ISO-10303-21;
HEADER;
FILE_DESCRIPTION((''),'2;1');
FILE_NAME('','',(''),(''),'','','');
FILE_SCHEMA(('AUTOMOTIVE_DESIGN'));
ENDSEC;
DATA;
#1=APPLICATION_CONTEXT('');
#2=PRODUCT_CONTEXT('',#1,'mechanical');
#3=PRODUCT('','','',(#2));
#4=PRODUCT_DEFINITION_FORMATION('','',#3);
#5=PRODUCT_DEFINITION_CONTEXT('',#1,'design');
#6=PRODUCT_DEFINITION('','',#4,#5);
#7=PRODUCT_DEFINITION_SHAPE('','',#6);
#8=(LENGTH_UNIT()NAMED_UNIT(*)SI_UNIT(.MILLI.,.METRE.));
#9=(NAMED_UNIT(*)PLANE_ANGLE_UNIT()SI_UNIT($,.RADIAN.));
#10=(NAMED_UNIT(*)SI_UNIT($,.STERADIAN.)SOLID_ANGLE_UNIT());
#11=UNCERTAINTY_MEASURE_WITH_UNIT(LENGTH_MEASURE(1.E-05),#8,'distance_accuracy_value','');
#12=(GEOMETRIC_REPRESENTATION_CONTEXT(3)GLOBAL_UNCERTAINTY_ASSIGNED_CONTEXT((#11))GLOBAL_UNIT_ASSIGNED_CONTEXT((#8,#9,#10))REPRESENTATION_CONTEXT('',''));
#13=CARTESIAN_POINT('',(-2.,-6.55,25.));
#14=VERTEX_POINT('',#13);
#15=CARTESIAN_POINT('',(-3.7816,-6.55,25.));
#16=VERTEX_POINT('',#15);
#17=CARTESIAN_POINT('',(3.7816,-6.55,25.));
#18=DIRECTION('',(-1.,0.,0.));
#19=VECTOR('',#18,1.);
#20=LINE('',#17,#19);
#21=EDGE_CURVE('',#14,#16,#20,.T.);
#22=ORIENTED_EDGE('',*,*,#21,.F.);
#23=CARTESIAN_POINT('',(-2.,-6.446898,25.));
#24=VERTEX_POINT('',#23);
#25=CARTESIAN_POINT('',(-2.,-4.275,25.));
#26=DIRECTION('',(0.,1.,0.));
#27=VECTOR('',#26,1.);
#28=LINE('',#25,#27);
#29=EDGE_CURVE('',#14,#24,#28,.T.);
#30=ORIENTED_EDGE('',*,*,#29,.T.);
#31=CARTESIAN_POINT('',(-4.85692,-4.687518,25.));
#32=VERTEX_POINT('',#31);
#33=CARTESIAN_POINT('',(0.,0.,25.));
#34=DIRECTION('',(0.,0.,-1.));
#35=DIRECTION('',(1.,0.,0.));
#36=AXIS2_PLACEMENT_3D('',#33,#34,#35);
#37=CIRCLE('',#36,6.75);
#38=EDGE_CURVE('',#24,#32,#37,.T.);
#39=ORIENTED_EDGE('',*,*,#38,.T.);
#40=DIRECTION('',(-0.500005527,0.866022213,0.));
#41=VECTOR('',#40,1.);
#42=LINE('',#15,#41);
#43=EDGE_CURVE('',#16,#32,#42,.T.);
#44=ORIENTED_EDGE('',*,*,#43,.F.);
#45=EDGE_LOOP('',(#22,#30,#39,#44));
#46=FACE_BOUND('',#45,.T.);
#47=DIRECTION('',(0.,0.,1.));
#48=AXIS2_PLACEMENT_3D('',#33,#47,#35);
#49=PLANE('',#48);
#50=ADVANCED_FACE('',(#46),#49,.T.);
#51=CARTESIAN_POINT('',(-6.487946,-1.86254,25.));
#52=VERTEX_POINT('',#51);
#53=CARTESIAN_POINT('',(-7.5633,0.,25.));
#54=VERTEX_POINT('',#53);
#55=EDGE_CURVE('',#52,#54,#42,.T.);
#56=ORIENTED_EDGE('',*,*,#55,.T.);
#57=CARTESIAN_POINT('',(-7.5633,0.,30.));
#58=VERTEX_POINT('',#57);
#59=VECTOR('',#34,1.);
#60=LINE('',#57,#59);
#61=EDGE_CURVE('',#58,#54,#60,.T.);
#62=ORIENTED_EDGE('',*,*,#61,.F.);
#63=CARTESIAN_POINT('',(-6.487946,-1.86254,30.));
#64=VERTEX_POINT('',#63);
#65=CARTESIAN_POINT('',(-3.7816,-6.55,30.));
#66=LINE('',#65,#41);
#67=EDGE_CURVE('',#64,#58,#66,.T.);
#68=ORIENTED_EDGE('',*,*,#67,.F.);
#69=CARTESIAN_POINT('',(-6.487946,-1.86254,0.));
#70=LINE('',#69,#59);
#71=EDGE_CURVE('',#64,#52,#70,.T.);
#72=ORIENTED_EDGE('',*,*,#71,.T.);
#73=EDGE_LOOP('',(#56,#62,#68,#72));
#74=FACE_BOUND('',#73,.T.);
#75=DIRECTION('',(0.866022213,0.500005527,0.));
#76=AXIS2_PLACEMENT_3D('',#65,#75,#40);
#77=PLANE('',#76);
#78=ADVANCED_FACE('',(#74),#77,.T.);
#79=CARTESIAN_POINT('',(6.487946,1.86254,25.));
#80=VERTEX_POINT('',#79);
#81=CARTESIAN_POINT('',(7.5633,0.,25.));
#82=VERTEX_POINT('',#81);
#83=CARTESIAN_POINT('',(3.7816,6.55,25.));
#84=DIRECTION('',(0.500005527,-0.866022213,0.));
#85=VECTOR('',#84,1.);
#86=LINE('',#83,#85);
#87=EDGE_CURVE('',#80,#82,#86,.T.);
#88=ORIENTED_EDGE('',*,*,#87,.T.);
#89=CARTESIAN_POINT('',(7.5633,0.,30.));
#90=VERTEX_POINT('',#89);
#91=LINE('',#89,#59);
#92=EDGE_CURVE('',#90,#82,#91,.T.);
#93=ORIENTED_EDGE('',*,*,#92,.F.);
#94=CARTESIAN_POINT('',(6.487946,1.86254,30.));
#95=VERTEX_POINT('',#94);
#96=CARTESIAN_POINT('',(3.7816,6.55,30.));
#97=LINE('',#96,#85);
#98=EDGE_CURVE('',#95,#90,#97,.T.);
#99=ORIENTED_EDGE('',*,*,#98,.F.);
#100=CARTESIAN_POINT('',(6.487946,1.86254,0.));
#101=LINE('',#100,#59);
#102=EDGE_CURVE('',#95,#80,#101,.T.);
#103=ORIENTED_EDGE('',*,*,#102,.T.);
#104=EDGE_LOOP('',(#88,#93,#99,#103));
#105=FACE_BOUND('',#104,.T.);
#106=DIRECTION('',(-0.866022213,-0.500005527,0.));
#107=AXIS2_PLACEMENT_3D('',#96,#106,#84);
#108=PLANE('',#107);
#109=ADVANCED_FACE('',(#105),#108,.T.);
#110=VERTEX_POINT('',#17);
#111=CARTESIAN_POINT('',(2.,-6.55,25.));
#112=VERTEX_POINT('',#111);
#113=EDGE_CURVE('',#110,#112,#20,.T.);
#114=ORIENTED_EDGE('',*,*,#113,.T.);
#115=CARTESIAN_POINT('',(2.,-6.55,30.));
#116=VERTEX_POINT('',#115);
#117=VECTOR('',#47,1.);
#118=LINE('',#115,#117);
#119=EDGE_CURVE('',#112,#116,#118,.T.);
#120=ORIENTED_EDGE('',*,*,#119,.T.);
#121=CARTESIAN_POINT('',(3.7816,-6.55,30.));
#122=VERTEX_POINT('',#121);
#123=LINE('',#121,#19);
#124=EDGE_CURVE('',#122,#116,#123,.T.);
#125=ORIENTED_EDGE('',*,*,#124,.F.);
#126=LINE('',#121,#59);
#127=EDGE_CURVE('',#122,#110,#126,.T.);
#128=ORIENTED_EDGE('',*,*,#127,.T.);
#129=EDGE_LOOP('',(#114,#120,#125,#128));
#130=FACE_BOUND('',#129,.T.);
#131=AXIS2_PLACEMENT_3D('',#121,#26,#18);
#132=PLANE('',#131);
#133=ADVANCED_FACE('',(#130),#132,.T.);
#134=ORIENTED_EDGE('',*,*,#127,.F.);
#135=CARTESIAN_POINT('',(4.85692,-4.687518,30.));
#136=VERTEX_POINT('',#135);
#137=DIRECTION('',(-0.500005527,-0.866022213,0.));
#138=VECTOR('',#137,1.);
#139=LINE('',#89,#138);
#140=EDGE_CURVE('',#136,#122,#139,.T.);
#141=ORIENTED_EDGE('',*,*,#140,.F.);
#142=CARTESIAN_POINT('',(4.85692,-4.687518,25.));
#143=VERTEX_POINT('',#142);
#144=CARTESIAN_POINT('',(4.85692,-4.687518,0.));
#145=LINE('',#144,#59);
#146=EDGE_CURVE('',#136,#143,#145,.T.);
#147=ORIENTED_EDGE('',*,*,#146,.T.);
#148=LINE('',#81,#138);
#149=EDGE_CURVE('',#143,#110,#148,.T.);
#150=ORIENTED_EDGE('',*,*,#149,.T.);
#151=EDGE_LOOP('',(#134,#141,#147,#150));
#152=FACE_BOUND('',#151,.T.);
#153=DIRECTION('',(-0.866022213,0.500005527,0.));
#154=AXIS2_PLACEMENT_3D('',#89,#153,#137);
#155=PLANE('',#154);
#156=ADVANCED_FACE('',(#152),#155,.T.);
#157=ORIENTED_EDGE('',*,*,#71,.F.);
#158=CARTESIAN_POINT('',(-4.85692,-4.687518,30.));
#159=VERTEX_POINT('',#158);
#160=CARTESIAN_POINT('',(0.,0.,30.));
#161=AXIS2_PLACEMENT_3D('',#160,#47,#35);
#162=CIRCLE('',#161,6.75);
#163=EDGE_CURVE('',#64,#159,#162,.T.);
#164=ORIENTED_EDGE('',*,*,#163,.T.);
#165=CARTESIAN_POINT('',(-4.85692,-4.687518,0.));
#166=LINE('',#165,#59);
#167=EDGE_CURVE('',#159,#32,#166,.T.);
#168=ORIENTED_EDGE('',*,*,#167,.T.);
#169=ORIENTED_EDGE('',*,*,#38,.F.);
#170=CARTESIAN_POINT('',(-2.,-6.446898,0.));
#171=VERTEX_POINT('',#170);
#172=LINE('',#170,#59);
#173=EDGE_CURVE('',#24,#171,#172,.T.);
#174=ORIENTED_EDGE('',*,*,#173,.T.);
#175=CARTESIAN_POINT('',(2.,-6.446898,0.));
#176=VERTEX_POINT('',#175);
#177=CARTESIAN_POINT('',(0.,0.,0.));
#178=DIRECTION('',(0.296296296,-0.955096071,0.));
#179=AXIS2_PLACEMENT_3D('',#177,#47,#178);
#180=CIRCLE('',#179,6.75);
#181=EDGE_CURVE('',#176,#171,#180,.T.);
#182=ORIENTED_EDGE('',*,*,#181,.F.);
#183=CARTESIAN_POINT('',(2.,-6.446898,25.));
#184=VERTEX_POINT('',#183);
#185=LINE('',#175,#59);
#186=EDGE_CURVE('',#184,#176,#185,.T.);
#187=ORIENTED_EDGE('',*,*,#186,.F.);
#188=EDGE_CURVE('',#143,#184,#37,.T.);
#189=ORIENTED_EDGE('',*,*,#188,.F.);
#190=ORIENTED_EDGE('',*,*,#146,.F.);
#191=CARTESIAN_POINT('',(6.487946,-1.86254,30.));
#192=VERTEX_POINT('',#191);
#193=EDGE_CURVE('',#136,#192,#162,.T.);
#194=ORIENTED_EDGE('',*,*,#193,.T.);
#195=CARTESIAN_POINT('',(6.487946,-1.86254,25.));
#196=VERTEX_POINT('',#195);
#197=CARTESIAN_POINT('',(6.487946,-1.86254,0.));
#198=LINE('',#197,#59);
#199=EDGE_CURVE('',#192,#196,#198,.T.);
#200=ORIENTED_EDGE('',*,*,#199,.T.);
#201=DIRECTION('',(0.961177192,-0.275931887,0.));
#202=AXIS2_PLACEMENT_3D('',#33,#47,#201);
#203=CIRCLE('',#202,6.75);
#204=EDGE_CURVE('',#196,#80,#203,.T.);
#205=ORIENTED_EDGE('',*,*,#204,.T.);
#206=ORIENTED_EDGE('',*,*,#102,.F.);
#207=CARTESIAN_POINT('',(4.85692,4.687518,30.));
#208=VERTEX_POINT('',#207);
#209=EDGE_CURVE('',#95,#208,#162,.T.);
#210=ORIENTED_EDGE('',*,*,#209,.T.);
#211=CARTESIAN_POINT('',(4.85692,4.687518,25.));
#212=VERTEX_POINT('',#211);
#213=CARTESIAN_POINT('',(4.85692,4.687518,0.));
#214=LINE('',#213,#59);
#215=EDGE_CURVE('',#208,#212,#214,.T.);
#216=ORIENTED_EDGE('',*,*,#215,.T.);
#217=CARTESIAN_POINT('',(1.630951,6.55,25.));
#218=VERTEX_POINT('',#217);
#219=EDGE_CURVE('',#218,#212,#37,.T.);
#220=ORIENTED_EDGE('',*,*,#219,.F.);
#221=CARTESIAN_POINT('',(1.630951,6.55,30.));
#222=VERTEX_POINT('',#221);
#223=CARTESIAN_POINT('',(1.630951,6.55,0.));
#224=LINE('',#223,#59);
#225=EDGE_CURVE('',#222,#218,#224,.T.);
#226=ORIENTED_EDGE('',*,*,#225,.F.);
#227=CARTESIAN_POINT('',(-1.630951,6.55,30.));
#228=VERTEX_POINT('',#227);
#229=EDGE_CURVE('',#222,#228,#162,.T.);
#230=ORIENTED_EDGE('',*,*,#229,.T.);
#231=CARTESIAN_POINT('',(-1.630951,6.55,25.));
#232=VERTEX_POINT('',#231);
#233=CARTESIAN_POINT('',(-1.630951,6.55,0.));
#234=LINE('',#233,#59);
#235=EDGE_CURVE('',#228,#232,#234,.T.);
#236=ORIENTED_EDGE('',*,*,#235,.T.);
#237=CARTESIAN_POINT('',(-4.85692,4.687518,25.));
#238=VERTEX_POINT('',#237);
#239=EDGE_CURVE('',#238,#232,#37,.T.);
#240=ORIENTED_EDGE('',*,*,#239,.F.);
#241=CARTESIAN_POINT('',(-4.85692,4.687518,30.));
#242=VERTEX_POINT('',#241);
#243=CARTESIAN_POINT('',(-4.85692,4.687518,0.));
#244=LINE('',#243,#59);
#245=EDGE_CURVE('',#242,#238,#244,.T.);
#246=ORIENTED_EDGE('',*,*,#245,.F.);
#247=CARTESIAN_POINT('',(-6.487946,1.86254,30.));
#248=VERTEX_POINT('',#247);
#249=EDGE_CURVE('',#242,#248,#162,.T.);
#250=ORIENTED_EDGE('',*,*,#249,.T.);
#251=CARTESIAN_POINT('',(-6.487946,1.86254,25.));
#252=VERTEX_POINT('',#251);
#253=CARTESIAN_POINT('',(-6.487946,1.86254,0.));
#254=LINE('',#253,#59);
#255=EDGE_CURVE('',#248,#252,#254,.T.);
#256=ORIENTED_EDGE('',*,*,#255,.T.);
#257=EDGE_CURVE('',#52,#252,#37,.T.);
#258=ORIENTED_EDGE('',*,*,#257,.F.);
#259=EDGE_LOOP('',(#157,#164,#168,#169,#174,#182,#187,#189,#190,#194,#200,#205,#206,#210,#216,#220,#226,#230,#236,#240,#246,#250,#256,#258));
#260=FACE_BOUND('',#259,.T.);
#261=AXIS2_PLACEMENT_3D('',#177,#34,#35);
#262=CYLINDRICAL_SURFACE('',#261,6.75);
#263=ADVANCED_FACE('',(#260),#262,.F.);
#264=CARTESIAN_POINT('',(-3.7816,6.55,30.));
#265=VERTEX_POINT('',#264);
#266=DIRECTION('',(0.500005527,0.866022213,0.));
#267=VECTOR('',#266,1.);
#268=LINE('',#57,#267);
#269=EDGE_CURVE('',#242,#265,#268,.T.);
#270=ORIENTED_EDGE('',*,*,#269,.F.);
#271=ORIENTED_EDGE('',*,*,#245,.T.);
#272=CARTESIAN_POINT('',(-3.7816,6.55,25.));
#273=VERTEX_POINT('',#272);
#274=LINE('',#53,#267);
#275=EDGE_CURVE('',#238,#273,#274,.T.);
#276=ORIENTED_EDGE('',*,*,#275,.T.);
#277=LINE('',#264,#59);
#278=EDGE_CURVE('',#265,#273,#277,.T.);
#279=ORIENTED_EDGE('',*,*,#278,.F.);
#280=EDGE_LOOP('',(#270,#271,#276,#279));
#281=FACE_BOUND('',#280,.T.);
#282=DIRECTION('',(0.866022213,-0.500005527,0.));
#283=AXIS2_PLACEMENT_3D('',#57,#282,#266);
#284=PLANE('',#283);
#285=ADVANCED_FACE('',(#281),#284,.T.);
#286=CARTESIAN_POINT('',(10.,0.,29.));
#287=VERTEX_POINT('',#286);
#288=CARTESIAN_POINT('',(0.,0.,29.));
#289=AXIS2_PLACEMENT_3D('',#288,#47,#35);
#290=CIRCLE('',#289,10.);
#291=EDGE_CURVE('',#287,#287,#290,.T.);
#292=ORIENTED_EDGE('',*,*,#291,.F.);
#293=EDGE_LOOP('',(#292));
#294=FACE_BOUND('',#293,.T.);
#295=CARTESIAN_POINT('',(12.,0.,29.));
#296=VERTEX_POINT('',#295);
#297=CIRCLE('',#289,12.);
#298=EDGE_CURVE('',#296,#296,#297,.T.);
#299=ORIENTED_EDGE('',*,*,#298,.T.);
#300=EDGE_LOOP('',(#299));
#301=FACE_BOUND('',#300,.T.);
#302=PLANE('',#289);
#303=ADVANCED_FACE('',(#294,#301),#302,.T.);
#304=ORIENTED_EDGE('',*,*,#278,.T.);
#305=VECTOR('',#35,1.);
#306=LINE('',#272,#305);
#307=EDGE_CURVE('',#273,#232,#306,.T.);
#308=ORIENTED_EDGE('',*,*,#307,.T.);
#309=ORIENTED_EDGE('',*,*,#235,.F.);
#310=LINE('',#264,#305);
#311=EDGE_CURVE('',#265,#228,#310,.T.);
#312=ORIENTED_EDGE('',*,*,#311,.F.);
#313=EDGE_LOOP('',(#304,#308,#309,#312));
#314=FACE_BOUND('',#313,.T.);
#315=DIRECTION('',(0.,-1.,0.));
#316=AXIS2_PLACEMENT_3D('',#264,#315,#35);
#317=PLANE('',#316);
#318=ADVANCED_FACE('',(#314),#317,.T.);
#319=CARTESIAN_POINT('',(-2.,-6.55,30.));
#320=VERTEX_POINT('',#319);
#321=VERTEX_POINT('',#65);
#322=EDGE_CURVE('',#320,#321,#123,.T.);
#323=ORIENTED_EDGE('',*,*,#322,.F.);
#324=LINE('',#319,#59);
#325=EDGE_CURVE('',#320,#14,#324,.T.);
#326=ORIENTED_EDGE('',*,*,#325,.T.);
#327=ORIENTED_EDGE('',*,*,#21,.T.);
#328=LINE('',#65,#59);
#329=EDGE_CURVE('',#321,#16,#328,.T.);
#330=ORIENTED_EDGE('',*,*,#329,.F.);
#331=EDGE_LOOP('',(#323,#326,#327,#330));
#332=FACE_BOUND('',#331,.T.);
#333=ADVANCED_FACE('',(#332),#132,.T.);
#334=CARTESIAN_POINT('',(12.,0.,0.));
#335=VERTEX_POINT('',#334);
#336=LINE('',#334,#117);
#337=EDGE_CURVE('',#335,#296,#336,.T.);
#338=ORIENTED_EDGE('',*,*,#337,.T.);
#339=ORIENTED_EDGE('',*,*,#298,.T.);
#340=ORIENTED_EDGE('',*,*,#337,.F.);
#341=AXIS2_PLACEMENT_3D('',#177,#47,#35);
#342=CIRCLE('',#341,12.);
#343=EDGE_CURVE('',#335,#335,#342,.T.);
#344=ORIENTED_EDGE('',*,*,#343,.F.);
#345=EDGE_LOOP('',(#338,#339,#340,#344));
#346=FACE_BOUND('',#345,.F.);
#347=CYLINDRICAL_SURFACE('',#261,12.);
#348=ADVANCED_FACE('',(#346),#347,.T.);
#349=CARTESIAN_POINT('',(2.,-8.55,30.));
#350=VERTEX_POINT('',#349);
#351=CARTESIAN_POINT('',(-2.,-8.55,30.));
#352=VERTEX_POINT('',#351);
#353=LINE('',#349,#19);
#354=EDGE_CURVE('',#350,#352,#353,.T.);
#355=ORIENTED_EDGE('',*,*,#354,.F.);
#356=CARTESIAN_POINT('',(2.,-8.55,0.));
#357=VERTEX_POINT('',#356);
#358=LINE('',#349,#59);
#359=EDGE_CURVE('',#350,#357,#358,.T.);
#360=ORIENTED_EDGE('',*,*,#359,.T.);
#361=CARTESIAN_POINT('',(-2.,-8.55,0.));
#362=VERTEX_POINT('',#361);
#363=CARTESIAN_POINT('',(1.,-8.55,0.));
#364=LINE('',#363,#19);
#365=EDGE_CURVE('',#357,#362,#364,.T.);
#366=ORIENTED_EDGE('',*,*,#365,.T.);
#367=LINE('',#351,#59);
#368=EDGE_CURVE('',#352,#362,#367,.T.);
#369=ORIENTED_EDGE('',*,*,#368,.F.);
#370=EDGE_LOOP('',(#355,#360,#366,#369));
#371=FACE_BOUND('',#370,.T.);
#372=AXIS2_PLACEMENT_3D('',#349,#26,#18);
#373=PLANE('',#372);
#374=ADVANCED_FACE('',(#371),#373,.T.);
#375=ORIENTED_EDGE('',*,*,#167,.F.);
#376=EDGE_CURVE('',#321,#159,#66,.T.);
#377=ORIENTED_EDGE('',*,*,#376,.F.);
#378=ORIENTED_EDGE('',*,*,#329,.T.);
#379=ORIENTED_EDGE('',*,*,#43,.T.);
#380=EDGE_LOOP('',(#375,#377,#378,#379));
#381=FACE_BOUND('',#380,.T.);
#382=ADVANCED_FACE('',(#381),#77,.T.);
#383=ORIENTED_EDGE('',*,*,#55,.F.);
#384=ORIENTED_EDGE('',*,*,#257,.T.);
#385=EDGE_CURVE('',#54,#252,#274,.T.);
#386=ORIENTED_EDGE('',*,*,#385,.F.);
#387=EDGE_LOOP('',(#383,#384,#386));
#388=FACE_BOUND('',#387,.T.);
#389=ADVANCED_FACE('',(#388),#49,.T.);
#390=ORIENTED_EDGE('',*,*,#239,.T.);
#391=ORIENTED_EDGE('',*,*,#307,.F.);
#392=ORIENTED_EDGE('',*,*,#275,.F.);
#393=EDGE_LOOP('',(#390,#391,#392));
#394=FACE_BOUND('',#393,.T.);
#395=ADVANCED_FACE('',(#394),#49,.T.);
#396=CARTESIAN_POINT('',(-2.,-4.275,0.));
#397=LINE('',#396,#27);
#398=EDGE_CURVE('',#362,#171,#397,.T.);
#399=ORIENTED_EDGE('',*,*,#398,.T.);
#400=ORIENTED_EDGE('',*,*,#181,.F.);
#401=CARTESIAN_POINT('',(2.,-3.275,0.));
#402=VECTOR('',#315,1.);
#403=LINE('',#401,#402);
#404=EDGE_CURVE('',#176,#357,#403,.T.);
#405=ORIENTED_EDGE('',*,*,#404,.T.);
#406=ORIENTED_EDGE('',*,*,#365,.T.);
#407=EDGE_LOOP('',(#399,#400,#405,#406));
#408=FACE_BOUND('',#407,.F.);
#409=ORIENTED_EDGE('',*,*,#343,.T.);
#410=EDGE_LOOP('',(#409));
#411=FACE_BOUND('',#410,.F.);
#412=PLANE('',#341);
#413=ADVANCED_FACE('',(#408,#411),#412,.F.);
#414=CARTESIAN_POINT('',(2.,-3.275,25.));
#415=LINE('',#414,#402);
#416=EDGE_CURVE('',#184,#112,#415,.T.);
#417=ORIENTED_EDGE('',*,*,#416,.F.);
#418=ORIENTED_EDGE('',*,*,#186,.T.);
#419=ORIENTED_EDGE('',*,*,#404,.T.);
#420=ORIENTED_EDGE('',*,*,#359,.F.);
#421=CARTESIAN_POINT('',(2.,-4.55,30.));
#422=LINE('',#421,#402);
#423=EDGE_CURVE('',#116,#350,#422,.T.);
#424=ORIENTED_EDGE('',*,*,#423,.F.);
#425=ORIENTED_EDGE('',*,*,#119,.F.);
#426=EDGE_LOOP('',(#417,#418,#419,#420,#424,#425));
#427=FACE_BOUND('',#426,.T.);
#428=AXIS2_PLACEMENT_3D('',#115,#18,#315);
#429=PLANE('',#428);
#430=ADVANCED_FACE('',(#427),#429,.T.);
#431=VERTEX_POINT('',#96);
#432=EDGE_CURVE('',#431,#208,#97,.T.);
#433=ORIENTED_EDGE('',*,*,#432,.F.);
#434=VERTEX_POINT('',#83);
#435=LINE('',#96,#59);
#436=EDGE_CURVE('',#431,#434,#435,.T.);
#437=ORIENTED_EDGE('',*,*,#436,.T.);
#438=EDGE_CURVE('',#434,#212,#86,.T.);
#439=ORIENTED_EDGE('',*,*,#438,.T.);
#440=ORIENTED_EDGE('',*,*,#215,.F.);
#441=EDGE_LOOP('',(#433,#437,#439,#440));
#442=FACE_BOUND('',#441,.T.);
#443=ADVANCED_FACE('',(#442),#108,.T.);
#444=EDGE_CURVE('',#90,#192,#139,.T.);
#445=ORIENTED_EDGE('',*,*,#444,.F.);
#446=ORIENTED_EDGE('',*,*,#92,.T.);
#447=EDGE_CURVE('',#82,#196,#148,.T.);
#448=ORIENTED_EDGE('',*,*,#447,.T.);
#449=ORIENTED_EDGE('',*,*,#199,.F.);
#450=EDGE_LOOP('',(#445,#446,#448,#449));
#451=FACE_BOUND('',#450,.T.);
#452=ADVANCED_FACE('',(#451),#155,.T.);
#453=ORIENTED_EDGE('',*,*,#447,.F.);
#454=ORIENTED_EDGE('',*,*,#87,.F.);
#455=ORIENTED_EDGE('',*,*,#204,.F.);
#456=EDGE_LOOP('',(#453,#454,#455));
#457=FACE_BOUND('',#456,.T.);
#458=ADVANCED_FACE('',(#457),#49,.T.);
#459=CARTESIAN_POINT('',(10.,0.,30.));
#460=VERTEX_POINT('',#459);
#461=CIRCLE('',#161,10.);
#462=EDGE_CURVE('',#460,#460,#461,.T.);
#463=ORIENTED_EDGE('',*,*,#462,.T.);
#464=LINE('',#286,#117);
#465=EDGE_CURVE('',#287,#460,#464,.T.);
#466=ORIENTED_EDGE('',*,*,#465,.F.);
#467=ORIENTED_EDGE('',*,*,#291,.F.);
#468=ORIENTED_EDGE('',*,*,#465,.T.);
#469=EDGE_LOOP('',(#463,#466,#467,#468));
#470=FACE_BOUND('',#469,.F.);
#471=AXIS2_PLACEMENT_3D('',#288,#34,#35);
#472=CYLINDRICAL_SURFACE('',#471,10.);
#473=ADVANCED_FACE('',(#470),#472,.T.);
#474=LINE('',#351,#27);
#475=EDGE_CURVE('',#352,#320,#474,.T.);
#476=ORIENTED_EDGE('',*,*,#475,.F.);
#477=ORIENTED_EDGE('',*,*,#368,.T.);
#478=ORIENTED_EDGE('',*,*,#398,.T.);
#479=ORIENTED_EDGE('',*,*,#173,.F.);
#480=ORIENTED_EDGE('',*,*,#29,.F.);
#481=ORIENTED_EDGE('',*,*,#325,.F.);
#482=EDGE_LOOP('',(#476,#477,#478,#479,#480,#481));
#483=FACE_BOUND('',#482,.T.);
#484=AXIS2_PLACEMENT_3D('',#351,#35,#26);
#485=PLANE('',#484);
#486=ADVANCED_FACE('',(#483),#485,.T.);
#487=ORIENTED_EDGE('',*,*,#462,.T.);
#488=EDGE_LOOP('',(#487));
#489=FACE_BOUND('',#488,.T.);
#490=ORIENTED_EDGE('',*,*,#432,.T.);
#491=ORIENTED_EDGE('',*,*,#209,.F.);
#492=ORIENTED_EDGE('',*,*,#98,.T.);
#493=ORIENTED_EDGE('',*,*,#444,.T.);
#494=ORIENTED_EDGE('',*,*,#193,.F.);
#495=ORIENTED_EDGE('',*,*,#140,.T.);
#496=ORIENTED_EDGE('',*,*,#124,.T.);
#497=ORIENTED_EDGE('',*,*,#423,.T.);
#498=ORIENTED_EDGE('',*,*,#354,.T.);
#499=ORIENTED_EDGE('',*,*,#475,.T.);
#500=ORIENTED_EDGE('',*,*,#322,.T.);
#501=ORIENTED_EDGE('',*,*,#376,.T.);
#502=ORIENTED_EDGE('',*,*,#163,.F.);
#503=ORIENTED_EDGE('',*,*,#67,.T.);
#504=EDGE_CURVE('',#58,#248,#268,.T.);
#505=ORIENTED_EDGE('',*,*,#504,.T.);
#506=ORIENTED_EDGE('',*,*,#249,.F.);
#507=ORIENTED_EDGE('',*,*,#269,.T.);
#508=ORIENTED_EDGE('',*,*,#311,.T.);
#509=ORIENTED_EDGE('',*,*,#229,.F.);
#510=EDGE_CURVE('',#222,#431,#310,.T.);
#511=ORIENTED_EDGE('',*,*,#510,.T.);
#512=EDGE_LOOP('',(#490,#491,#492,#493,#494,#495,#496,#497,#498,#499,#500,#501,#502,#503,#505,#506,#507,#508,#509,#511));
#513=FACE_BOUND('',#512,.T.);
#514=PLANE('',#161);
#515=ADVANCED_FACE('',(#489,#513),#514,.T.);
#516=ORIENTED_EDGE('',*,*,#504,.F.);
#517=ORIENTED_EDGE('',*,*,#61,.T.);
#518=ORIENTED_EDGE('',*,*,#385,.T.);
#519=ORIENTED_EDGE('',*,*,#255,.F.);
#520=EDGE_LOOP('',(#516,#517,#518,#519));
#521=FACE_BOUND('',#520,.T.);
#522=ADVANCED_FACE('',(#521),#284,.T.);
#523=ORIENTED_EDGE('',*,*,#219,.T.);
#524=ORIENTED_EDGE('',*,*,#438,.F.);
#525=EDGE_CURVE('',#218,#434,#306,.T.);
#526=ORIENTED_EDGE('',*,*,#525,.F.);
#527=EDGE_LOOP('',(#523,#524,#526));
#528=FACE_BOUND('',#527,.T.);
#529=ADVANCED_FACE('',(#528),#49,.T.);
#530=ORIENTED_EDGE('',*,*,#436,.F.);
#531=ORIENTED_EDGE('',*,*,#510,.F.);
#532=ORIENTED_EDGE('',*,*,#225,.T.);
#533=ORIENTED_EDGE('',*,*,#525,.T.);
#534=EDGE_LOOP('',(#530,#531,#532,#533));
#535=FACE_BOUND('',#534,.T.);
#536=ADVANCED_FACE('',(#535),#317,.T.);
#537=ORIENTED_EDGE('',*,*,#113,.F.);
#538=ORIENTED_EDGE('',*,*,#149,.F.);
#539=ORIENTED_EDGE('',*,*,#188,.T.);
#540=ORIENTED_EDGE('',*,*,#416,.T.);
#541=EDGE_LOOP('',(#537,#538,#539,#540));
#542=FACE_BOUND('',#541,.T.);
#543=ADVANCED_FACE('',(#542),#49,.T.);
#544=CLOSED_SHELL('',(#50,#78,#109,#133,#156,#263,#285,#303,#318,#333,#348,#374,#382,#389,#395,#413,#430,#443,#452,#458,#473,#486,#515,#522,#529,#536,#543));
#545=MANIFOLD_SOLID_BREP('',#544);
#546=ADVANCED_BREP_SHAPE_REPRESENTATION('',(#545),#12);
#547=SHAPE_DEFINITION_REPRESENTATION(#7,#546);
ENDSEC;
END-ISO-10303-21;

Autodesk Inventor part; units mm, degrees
ref_plane "YZ Plane" through (0, 0, 0) normal (1, 0, 0) x (0, 1, 0)
ref_plane "XZ Plane" through (0, 0, 0) normal (0, 1, 0) x (-1, 0, 0)
ref_plane "XY Plane" through (0, 0, 0) normal (0, 0, 1) x (1, 0, 0)
sketch "Sketch1" plane through (0, 0, 0) normal (0, 0, 1) x (1, 0, 0)
  circle A0 centre (0, 0) radius 6.75
  circle A1 centre (0, 0) radius 12
  dimension "d0" = 13.5
  dimension "d1" = 24
extrude "Extrusion1" add sketch "Sketch1" along normal blind 29
sketch "Sketch3" plane through (0, 0, 29) normal (0, 0, 1) x (1, 0, 0)
  circle A0 centre (0, 0) radius 10
  circle A1 centre (0, 0) radius 6.75 projected
  dimension "d7" = 20
extrude "Extrusion3" add sketch "Sketch3" along normal blind 1
sketch "Sketch4" plane through (0, 0, 30) normal (0, 0, 1) x (1, 0, 0)
  line L0 (3.7816, 6.55) -> (7.5633, 0)
  line L1 (7.5633, 0) -> (3.7816, -6.55)
  line L2 (3.7816, -6.55) -> (-3.7816, -6.55)
  line L3 (-3.7816, -6.55) -> (-7.5633, 0)
  line L4 (-7.5633, 0) -> (-3.7816, 6.55)
  line L5 (-3.7816, 6.55) -> (3.7816, 6.55)
  point P0 (0, 0)
  point P1 (0, 0)
  dimension "d10" = 13.1
extrude "Extrusion4" cut sketch "Sketch4" against normal blind 5
sketch "Sketch5" plane through (0, 0, 30) normal (0, 0, 1) x (1, 0, 0)
  line L0 (2, -8.55) -> (-2, -8.55)
  line L1 (-2, -8.55) -> (-2, -4.55)
  line L2 (-2, -4.55) -> (2, -4.55)
  line L3 (2, -4.55) -> (2, -8.55)
  line L4 (3.7816, -6.55) -> (-3.7816, -6.55) projected
  point P0 (0, 0)
  point P1 (0, -8.55)
  point P2 (-2, -6.55)
  point P3 (0, -6.55)
  dimension "d13" = 4
  dimension "d14" = 4
extrude "Extrusion5" cut sketch "Sketch5" against normal through all
properties part number "Inner Wheel Spacer"
